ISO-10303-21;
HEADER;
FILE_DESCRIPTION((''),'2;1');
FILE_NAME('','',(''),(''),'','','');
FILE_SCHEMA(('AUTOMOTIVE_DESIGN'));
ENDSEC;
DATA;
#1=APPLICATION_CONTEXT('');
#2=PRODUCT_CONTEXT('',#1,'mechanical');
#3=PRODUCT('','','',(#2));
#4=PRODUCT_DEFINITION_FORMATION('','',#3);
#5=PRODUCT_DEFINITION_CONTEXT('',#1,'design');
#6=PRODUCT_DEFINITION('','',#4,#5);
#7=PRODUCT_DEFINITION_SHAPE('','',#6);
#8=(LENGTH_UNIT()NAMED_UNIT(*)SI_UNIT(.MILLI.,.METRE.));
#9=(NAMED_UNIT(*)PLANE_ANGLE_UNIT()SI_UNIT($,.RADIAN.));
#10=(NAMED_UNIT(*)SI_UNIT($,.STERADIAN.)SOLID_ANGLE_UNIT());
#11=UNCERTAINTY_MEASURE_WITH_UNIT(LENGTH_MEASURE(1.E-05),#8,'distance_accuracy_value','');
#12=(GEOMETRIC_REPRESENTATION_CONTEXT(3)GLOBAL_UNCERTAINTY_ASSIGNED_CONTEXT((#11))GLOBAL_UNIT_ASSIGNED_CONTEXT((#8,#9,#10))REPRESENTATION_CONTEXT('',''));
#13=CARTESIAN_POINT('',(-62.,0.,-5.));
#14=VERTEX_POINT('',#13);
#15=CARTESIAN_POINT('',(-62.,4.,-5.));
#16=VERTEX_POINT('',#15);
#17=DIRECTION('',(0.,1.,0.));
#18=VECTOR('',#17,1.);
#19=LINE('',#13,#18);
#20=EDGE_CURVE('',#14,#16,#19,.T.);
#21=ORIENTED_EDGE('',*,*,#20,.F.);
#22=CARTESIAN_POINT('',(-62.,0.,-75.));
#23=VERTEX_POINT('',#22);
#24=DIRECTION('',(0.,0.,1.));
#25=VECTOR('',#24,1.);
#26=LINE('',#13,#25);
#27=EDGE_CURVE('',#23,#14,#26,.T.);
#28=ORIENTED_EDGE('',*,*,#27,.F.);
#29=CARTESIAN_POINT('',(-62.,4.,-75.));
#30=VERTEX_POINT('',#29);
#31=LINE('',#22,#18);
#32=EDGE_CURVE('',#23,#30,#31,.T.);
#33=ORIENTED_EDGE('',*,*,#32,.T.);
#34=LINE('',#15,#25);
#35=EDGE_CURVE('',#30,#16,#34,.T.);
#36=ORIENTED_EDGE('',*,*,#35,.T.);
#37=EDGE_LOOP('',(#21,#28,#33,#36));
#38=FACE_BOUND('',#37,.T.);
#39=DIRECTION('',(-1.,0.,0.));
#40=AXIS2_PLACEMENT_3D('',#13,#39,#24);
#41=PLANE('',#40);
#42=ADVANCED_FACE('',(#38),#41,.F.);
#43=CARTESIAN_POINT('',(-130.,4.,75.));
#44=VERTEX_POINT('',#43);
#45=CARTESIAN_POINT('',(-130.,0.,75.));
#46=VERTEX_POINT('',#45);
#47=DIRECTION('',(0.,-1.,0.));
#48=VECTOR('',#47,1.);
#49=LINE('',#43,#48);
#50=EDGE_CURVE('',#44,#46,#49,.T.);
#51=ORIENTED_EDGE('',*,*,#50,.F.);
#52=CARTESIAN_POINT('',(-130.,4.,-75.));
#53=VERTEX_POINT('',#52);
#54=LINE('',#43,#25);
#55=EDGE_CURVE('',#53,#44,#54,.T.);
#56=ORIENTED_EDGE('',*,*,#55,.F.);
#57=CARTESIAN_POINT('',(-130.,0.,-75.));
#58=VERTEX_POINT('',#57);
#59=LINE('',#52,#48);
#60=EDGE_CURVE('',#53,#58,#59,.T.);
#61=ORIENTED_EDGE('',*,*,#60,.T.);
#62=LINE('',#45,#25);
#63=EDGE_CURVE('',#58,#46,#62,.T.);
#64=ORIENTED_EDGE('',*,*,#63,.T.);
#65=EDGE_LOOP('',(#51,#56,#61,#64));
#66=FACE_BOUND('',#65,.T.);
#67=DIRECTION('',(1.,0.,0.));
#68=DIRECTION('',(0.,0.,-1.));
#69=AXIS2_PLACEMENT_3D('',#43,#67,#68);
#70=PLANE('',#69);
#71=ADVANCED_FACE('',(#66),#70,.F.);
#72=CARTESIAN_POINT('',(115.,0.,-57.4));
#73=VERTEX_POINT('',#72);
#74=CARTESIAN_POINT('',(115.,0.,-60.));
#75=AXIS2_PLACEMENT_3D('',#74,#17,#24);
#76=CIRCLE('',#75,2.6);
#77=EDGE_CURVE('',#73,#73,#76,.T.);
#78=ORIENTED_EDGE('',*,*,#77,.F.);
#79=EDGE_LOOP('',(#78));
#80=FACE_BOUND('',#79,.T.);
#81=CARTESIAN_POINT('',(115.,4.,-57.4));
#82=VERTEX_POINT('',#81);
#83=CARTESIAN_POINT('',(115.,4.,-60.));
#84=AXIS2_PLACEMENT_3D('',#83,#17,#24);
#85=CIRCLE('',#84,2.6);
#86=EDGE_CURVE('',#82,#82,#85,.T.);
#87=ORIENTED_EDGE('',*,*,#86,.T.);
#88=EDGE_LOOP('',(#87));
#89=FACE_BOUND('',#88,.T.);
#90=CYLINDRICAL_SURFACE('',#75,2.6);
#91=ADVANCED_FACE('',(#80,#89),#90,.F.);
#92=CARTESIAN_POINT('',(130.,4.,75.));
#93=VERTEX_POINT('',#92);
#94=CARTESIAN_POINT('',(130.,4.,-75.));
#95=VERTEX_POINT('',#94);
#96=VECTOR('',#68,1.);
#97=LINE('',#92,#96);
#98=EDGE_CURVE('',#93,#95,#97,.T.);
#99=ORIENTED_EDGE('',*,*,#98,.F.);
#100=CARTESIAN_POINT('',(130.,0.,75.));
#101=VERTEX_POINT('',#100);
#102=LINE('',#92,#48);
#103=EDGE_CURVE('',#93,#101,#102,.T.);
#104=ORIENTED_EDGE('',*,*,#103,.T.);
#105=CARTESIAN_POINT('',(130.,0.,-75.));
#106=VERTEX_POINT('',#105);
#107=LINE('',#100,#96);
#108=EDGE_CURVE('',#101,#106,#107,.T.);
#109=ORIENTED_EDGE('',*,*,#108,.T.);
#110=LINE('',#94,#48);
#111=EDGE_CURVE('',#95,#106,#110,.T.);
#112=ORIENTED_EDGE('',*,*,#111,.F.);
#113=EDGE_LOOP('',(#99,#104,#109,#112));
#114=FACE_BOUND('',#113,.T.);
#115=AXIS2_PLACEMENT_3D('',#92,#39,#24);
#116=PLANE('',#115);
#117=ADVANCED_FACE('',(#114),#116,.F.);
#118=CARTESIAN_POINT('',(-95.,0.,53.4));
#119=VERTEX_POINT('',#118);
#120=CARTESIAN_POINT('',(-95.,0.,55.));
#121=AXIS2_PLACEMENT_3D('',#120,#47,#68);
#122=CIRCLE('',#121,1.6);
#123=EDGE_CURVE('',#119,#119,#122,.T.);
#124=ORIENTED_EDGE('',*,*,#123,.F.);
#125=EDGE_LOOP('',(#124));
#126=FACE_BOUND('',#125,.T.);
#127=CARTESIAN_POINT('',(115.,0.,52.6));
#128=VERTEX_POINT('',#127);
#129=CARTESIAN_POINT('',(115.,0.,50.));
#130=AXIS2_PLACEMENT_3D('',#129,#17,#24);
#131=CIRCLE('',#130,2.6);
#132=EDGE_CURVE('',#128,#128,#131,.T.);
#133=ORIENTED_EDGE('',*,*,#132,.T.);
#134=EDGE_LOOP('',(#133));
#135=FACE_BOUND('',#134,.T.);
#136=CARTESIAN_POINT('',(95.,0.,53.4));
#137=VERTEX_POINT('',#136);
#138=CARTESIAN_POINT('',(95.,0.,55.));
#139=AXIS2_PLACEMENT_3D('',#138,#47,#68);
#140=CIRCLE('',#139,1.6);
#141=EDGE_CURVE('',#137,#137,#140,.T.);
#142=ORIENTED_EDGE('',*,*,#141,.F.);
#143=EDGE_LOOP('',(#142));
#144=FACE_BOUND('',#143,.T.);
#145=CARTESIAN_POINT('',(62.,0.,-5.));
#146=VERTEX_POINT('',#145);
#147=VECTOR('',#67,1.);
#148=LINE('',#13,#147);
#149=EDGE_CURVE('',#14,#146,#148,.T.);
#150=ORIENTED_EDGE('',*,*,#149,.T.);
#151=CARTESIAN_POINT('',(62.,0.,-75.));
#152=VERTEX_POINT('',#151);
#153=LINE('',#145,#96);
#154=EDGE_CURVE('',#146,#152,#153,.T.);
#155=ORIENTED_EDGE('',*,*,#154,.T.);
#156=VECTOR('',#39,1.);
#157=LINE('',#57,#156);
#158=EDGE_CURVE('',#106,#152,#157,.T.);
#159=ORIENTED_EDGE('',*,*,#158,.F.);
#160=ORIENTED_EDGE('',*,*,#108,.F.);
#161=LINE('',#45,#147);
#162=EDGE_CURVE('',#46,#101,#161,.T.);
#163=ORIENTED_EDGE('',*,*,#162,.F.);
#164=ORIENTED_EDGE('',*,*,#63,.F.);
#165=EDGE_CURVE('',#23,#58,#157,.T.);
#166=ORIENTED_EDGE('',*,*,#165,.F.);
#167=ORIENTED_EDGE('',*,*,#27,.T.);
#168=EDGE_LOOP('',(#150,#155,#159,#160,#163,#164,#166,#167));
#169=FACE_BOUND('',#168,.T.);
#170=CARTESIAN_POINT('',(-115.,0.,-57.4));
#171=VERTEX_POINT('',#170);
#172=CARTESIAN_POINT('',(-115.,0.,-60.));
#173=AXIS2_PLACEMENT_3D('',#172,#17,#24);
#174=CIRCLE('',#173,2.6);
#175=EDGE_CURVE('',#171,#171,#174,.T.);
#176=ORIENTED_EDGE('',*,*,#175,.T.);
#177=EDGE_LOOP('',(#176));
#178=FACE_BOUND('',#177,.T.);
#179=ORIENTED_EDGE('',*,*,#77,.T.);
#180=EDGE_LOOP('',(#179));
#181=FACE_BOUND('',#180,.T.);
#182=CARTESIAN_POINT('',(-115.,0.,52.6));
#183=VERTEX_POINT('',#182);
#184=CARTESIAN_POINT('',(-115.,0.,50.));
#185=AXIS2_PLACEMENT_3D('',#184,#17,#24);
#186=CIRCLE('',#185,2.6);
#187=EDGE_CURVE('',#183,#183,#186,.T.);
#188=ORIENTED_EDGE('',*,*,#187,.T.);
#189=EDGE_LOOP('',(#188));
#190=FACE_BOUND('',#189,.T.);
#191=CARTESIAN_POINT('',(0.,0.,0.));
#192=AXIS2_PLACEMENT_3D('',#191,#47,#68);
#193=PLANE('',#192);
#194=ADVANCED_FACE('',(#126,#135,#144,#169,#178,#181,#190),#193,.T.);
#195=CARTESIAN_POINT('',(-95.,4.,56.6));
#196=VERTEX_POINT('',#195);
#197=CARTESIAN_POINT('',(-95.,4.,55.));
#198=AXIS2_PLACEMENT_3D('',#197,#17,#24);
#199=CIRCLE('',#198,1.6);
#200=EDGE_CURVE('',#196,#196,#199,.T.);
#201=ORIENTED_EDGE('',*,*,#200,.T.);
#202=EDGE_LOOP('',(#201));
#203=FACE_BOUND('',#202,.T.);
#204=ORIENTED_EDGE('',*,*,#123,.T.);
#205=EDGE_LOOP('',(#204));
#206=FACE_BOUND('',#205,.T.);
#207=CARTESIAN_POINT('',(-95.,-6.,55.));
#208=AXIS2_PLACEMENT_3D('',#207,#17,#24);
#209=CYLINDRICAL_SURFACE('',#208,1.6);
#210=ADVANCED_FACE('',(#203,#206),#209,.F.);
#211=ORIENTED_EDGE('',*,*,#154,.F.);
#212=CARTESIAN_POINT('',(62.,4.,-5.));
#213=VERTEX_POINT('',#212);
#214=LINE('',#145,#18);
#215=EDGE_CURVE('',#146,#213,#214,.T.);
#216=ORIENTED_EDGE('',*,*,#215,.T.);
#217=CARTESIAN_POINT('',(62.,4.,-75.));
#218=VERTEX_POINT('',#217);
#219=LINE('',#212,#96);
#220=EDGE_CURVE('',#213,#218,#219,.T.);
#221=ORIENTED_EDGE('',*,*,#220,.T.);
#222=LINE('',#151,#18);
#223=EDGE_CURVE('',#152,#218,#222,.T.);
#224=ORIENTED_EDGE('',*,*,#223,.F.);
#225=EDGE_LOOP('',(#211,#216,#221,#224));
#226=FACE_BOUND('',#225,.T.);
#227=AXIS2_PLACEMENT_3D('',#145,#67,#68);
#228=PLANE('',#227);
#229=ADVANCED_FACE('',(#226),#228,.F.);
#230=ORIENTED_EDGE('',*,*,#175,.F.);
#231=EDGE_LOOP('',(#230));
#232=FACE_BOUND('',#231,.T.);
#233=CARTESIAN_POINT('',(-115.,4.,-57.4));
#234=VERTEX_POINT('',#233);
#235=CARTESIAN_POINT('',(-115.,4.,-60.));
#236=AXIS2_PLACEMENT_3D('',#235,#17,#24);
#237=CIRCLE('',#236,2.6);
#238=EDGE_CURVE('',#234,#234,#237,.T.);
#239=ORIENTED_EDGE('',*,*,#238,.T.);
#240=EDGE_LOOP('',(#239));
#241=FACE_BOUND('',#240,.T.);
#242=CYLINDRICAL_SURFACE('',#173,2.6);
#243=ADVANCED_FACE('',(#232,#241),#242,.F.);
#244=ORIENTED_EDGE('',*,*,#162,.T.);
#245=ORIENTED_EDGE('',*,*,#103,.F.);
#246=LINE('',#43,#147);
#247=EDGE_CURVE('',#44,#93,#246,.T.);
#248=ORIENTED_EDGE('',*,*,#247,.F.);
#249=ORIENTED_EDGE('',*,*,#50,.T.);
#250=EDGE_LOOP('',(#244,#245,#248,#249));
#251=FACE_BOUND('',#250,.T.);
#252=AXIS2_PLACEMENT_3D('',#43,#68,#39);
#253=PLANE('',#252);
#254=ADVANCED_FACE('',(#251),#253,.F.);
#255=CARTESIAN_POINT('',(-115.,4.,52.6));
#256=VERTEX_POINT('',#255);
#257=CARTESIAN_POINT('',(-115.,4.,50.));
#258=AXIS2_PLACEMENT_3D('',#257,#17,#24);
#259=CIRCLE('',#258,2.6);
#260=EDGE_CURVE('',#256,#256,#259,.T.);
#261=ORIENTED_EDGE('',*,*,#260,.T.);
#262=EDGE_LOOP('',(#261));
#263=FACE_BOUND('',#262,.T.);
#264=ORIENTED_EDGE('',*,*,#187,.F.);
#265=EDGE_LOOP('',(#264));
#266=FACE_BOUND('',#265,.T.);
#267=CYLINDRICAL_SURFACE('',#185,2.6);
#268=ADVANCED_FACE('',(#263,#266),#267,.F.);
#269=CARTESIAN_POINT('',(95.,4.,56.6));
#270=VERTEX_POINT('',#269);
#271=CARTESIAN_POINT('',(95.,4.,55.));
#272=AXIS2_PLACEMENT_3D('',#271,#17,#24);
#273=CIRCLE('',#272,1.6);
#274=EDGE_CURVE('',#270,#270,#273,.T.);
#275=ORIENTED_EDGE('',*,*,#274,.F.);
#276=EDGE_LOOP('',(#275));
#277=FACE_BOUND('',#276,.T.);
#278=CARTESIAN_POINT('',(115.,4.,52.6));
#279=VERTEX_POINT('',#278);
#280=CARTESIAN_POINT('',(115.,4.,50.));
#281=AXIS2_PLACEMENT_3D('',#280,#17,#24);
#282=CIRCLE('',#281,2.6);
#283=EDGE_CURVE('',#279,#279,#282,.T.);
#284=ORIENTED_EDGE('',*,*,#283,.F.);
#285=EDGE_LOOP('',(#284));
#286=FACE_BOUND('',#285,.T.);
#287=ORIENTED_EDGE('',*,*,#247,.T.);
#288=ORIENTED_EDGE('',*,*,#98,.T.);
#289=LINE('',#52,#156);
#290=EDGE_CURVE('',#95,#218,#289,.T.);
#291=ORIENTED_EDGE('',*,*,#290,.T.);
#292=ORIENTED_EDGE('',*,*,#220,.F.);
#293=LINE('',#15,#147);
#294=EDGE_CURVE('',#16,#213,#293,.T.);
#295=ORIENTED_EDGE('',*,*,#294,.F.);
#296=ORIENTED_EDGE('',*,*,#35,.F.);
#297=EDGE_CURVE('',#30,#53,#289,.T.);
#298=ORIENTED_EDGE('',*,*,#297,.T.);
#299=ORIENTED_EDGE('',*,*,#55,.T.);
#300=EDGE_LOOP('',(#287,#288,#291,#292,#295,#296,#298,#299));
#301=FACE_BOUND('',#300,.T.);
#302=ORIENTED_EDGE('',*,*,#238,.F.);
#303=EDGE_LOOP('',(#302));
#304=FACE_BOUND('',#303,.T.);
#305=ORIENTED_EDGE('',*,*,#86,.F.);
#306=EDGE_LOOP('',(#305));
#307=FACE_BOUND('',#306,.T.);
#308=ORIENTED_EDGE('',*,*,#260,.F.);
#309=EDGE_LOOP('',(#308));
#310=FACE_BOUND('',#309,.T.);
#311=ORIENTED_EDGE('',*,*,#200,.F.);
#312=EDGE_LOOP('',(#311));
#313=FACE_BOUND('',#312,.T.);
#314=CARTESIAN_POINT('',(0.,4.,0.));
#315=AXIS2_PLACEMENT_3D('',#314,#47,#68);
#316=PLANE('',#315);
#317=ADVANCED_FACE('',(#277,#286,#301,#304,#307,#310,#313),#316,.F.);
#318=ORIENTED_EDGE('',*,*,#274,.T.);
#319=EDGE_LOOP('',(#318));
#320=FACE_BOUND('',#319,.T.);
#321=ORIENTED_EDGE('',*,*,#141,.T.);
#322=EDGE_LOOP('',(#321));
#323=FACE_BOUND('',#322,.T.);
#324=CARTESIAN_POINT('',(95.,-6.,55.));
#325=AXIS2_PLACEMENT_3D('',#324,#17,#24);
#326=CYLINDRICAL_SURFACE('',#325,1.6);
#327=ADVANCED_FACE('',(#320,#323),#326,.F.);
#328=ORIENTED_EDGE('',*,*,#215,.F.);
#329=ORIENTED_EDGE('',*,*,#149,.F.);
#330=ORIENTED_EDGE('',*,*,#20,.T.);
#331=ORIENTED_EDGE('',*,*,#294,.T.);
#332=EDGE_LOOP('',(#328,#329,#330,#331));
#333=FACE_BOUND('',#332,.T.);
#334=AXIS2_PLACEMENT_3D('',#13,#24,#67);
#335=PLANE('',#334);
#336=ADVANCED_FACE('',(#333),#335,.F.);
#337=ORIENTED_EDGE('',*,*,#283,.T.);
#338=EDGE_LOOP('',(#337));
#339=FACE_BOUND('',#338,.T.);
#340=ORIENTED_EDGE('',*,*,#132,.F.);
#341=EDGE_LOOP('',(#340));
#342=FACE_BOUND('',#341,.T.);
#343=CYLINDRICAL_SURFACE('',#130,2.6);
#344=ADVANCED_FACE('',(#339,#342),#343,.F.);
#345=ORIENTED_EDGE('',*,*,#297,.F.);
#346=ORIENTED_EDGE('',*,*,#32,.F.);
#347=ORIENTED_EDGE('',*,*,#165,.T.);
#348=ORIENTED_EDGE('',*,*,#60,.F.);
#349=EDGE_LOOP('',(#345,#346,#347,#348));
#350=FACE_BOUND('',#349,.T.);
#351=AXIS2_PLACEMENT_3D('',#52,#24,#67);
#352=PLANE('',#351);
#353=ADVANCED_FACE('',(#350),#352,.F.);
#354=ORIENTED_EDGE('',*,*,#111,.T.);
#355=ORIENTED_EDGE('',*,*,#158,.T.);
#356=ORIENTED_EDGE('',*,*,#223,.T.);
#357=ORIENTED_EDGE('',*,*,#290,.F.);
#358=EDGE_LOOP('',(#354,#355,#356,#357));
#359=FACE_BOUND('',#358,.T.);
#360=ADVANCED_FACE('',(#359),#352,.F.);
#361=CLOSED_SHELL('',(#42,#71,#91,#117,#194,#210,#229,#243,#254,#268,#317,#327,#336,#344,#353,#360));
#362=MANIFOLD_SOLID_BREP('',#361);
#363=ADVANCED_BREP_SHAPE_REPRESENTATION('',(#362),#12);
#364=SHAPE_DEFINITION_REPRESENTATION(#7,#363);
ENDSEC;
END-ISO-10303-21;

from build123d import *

# Parameters (mm, degrees)
CROQUIS1_W              = 260
CROQUIS1_H              = 150
SALIENTE_EXTRUIR1_DEPTH = 4
CROQUIS2_R              = 2.6
CROQUIS2_W              = 124
CROQUIS2_H              = 70
CORTAR_EXTRUIR1_DEPTH   = 4
CROQUIS3_R              = 1.6
CORTAR_EXTRUIR2_DEPTH   = 10


with BuildPart() as part:
    # Croquis1 → Saliente-Extruir1 (new body)
    with BuildSketch(Plane(origin=(0, 0, 0), x_dir=(1, 0, 0), z_dir=(0, 1, 0))):
        Rectangle(CROQUIS1_W, CROQUIS1_H)
    extrude(amount=SALIENTE_EXTRUIR1_DEPTH)

    # Croquis2 → Cortar-Extruir1 (cut)
    with BuildSketch(Plane(origin=(0, 4, 0), x_dir=(1, 0, 0), z_dir=(0, 1, 0))):
        with Locations(Location((-115, 60, 0), (0, 0, 270))):
            Circle(CROQUIS2_R)
        with Locations(Location((115, 60, 0), (0, 0, 270))):
            Circle(CROQUIS2_R)
        with Locations(Location((115, -50, 0), (0, 0, 270))):
            Circle(CROQUIS2_R)
        with Locations(Location((-115, -50, 0), (0, 0, 270))):
            Circle(CROQUIS2_R)
        with Locations((0, 40)):
            Rectangle(CROQUIS2_W, CROQUIS2_H)
    extrude(amount=-CORTAR_EXTRUIR1_DEPTH, mode=Mode.SUBTRACT)

    # Croquis3 → Cortar-Extruir2 (cut)
    with BuildSketch(Plane(origin=(0, 4, 0), x_dir=(1, 0, 0), z_dir=(0, 1, 0))):
        with Locations(Location((95, -55, 0), (0, 0, 270))):
            Circle(CROQUIS3_R)
        with Locations(Location((-95, -55, 0), (0, 0, 270))):
            Circle(CROQUIS3_R)
    extrude(amount=-CORTAR_EXTRUIR2_DEPTH, mode=Mode.SUBTRACT)


solid = part.part
